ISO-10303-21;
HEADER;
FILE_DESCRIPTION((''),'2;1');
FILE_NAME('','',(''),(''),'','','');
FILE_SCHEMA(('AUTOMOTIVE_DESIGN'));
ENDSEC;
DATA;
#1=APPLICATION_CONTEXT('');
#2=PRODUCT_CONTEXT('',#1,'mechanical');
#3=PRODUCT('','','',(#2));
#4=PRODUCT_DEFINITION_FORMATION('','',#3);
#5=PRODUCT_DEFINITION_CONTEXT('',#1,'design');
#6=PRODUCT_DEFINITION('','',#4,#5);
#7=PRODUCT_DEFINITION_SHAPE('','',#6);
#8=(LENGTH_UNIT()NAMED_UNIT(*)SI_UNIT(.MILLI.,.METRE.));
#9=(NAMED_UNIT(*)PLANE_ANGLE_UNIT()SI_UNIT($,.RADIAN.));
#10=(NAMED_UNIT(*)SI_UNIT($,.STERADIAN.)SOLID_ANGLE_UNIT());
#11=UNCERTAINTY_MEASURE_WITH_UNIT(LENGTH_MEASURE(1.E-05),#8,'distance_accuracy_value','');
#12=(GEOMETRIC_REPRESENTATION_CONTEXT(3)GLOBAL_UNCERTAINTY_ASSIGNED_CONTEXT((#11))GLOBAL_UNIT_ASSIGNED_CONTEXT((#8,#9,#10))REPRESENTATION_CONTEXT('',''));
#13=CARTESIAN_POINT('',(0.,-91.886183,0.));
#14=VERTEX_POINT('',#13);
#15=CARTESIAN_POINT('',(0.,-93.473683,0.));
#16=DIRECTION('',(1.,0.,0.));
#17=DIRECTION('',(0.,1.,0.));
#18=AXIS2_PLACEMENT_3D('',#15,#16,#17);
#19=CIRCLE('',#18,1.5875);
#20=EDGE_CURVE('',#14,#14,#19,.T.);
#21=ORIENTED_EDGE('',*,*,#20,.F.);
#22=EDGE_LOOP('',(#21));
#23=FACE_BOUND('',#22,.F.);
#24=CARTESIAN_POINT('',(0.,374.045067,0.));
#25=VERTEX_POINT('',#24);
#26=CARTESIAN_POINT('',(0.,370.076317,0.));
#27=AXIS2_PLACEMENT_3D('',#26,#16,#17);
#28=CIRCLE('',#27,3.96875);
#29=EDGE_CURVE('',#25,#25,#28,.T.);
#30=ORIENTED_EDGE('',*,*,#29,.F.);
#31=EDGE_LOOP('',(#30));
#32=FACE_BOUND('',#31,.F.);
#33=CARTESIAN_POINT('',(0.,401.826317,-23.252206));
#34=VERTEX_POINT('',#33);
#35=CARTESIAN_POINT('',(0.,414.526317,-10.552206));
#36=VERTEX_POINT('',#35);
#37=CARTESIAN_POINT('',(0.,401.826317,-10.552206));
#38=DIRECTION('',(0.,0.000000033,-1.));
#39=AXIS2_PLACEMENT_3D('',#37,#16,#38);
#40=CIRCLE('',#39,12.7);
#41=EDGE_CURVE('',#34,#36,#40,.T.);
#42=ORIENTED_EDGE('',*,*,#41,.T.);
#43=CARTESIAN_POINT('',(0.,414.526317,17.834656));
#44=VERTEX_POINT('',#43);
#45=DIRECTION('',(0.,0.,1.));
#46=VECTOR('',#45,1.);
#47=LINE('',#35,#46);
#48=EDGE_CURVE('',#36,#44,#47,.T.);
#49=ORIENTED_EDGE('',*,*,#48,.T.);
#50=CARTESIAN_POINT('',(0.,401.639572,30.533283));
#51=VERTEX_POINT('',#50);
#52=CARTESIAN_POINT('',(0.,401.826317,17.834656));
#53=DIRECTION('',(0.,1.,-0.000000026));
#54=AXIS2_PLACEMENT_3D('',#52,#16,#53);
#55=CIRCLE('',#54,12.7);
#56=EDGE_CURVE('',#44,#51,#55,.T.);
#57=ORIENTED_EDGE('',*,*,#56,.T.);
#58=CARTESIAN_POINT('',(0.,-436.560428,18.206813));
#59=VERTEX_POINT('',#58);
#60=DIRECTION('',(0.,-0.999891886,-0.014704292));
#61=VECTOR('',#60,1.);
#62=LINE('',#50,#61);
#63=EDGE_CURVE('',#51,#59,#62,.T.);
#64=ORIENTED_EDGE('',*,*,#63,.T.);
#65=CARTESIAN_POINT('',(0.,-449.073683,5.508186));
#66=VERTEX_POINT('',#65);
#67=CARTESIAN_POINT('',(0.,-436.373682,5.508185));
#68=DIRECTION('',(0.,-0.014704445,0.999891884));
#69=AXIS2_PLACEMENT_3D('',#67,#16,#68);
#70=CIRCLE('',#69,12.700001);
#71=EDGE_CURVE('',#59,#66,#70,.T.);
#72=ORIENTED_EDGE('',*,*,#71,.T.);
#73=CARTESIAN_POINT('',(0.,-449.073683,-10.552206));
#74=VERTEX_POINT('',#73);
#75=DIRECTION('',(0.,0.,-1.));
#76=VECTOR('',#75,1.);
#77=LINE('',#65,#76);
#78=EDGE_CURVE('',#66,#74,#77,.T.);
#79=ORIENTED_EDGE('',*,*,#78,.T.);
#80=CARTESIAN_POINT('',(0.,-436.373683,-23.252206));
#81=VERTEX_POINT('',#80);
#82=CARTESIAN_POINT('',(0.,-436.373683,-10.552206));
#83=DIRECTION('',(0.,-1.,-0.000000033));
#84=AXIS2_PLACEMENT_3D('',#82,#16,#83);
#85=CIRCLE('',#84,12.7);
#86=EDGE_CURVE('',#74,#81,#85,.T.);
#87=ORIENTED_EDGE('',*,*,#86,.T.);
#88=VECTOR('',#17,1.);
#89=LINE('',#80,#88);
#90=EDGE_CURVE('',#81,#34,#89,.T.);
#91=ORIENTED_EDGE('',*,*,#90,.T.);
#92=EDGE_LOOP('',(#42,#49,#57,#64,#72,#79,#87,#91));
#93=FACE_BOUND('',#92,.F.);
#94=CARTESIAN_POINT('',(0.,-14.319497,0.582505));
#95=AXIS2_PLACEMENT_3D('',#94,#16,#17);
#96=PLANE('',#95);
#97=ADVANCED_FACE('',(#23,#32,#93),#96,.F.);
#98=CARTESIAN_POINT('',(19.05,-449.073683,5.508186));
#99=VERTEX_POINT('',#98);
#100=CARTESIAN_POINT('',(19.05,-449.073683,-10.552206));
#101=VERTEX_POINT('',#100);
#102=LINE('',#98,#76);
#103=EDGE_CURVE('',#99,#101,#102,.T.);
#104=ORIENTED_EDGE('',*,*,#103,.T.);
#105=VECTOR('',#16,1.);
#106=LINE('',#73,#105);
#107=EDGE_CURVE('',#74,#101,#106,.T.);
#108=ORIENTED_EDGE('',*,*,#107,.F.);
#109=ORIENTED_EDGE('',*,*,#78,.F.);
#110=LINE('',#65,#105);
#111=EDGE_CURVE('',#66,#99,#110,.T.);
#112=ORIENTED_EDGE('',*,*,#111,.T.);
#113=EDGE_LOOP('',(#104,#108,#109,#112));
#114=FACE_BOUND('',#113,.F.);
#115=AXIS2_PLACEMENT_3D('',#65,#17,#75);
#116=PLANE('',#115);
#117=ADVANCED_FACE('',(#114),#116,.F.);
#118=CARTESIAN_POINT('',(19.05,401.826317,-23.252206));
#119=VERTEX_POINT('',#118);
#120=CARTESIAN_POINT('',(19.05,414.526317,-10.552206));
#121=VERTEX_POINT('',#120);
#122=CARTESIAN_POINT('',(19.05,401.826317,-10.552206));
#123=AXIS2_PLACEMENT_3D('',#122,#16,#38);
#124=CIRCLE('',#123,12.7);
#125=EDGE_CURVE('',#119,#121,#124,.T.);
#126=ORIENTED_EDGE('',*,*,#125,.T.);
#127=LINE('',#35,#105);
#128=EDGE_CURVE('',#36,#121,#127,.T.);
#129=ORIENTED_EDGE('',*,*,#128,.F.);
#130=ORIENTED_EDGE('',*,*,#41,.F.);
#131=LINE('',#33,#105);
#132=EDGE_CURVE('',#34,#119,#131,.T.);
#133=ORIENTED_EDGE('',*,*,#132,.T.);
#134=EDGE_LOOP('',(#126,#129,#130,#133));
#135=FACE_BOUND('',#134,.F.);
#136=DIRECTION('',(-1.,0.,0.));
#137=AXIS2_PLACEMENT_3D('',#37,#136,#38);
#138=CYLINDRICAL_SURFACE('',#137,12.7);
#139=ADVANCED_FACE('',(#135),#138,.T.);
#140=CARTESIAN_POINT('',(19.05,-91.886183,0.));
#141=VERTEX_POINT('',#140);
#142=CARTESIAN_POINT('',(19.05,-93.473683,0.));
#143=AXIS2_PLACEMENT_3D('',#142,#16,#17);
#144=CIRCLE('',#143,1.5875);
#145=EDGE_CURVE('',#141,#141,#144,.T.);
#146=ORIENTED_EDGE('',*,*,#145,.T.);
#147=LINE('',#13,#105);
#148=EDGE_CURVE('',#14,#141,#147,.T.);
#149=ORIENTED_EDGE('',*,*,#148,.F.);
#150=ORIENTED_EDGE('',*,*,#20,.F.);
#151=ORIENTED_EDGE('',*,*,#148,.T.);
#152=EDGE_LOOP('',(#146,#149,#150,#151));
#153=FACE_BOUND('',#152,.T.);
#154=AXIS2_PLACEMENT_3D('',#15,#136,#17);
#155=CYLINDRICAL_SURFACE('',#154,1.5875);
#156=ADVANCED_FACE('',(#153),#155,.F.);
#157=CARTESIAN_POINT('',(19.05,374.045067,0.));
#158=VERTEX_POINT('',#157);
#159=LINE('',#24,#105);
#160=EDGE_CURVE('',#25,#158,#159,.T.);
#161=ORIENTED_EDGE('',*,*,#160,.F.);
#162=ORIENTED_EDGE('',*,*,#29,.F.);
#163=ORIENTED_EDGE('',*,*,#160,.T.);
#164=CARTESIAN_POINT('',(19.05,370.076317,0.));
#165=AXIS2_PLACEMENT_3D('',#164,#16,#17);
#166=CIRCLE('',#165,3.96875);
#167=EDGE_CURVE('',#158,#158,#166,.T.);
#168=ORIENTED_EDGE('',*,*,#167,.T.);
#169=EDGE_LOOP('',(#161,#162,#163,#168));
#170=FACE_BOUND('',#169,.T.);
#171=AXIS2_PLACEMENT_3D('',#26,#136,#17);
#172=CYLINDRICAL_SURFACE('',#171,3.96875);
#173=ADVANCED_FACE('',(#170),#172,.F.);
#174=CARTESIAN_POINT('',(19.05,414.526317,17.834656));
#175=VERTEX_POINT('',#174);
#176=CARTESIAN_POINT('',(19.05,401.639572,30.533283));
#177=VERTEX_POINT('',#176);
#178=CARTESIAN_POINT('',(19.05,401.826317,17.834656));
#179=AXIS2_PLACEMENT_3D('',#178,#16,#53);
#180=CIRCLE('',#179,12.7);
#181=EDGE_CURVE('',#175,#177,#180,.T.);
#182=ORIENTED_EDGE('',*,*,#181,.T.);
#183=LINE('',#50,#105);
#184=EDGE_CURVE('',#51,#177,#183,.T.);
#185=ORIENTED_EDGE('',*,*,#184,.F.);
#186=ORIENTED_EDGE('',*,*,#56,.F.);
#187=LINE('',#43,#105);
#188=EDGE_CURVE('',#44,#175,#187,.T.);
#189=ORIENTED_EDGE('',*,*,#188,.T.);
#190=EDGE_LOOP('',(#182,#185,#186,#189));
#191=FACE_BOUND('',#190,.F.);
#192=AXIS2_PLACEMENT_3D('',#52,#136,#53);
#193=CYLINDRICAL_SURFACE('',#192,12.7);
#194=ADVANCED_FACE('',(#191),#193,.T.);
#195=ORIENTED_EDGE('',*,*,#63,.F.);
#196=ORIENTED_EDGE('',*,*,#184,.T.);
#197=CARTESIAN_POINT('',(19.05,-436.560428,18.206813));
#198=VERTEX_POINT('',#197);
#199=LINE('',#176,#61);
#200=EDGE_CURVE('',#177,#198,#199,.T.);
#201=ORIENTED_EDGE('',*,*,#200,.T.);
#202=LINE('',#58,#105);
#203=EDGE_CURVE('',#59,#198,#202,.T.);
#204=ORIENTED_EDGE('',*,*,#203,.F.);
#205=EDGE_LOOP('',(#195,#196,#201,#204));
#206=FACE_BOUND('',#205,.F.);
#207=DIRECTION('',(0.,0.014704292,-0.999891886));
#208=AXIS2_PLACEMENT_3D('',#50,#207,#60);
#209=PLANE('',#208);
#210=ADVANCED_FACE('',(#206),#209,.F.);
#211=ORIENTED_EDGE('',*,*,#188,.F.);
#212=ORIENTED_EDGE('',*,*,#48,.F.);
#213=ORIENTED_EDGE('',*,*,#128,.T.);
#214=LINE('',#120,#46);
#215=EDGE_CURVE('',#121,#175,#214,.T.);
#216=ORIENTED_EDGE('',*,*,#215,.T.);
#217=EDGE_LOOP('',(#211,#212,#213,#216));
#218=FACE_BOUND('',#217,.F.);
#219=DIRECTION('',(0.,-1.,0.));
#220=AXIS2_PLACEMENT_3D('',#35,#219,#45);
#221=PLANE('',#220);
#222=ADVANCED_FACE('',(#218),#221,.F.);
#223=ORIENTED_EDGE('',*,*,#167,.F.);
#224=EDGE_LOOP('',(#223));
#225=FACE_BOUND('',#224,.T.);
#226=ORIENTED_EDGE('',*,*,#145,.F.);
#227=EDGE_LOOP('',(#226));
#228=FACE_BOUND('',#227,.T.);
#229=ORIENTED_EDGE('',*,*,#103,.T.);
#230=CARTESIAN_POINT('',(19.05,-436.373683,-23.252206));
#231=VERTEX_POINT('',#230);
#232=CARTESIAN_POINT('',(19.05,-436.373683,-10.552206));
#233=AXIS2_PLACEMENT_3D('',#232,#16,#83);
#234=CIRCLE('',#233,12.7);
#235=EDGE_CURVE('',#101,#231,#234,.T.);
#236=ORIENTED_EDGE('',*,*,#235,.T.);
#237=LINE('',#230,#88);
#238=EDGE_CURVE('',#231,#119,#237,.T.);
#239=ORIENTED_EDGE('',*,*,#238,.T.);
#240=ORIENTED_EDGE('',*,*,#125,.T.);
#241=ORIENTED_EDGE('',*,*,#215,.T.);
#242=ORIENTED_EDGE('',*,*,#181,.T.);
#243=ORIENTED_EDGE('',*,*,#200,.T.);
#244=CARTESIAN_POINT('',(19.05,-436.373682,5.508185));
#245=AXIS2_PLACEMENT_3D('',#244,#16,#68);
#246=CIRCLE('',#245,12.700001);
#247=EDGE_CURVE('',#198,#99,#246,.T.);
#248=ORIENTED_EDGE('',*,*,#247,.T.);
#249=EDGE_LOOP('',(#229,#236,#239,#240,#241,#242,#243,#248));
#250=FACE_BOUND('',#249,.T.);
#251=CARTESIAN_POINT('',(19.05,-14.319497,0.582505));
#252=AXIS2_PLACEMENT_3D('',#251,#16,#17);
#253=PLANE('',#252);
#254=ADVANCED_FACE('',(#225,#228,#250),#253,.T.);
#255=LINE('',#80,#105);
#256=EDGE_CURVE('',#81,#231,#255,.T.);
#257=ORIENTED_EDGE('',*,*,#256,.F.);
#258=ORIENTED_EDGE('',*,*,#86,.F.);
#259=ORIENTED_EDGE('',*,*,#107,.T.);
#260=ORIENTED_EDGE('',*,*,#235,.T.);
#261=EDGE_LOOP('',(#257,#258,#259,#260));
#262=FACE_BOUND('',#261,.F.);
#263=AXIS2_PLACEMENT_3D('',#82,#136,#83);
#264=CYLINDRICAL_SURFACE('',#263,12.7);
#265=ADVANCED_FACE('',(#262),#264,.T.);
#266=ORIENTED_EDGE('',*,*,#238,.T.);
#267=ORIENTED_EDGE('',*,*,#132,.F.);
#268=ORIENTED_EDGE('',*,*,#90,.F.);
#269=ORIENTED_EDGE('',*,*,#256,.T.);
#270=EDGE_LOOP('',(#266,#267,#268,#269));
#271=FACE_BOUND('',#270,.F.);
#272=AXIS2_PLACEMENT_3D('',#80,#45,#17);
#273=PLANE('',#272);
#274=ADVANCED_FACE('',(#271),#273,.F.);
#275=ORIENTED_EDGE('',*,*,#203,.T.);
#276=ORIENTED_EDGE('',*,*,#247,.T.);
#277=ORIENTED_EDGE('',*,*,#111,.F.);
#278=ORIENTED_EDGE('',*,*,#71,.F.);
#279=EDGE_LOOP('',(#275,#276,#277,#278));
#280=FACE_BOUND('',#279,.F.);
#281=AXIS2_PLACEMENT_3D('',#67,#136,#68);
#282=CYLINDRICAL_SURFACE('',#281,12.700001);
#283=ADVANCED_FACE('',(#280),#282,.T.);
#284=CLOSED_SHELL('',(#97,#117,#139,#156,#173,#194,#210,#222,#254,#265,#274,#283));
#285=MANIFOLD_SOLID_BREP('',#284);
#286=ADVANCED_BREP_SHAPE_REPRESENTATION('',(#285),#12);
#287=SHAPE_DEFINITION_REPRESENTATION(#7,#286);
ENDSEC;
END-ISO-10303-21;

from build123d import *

# Parameters (mm, degrees)
F0_R     = 1.5875
F0_R_2   = 3.96875
F1_DEPTH = 19.05
F2_R     = 1.5875
F3_DEPTH = 52.578


with BuildPart() as f1:
    # F0 (on Right) → F1 (new body)
    with BuildSketch(Plane.YZ):
        with BuildLine():
            Line((414.526317, -10.552206), (414.526317, 17.834656))
            ThreePointArc((414.526317, 17.834656), (410.740304, 26.880696), (401.639572, 30.533283))
            Line((401.639572, 30.533283), (-436.560428, 18.206813))
            ThreePointArc((-436.560428, 18.206813), (-445.419722, 14.422173), (-449.073683, 5.508186))
            Line((-449.073683, 5.508186), (-449.073683, -10.552206))
            ThreePointArc((-449.073683, -10.552206), (-445.353939, -19.532462), (-436.373683, -23.252206))
            Line((-436.373683, -23.252206), (401.826317, -23.252206))
            ThreePointArc((401.826317, -23.252206), (410.806573, -19.532462), (414.526317, -10.552206))
        make_face()
        with Locations((-93.473683, 0)):
            Circle(F0_R, mode=Mode.SUBTRACT)
        with Locations((370.076317, 0)):
            Circle(F0_R_2, mode=Mode.SUBTRACT)
    extrude(amount=F1_DEPTH)

    # F2 (on face) → F3 (cut)
    with BuildSketch(Plane(origin=(0, 0, -23.252206), x_dir=(1, 0, 0), z_dir=(0, 0, -1))):
        with Locations((9.525, -668.526317)):
            Circle(F2_R)
    extrude(amount=-F3_DEPTH, mode=Mode.SUBTRACT)


solid = f1.part
